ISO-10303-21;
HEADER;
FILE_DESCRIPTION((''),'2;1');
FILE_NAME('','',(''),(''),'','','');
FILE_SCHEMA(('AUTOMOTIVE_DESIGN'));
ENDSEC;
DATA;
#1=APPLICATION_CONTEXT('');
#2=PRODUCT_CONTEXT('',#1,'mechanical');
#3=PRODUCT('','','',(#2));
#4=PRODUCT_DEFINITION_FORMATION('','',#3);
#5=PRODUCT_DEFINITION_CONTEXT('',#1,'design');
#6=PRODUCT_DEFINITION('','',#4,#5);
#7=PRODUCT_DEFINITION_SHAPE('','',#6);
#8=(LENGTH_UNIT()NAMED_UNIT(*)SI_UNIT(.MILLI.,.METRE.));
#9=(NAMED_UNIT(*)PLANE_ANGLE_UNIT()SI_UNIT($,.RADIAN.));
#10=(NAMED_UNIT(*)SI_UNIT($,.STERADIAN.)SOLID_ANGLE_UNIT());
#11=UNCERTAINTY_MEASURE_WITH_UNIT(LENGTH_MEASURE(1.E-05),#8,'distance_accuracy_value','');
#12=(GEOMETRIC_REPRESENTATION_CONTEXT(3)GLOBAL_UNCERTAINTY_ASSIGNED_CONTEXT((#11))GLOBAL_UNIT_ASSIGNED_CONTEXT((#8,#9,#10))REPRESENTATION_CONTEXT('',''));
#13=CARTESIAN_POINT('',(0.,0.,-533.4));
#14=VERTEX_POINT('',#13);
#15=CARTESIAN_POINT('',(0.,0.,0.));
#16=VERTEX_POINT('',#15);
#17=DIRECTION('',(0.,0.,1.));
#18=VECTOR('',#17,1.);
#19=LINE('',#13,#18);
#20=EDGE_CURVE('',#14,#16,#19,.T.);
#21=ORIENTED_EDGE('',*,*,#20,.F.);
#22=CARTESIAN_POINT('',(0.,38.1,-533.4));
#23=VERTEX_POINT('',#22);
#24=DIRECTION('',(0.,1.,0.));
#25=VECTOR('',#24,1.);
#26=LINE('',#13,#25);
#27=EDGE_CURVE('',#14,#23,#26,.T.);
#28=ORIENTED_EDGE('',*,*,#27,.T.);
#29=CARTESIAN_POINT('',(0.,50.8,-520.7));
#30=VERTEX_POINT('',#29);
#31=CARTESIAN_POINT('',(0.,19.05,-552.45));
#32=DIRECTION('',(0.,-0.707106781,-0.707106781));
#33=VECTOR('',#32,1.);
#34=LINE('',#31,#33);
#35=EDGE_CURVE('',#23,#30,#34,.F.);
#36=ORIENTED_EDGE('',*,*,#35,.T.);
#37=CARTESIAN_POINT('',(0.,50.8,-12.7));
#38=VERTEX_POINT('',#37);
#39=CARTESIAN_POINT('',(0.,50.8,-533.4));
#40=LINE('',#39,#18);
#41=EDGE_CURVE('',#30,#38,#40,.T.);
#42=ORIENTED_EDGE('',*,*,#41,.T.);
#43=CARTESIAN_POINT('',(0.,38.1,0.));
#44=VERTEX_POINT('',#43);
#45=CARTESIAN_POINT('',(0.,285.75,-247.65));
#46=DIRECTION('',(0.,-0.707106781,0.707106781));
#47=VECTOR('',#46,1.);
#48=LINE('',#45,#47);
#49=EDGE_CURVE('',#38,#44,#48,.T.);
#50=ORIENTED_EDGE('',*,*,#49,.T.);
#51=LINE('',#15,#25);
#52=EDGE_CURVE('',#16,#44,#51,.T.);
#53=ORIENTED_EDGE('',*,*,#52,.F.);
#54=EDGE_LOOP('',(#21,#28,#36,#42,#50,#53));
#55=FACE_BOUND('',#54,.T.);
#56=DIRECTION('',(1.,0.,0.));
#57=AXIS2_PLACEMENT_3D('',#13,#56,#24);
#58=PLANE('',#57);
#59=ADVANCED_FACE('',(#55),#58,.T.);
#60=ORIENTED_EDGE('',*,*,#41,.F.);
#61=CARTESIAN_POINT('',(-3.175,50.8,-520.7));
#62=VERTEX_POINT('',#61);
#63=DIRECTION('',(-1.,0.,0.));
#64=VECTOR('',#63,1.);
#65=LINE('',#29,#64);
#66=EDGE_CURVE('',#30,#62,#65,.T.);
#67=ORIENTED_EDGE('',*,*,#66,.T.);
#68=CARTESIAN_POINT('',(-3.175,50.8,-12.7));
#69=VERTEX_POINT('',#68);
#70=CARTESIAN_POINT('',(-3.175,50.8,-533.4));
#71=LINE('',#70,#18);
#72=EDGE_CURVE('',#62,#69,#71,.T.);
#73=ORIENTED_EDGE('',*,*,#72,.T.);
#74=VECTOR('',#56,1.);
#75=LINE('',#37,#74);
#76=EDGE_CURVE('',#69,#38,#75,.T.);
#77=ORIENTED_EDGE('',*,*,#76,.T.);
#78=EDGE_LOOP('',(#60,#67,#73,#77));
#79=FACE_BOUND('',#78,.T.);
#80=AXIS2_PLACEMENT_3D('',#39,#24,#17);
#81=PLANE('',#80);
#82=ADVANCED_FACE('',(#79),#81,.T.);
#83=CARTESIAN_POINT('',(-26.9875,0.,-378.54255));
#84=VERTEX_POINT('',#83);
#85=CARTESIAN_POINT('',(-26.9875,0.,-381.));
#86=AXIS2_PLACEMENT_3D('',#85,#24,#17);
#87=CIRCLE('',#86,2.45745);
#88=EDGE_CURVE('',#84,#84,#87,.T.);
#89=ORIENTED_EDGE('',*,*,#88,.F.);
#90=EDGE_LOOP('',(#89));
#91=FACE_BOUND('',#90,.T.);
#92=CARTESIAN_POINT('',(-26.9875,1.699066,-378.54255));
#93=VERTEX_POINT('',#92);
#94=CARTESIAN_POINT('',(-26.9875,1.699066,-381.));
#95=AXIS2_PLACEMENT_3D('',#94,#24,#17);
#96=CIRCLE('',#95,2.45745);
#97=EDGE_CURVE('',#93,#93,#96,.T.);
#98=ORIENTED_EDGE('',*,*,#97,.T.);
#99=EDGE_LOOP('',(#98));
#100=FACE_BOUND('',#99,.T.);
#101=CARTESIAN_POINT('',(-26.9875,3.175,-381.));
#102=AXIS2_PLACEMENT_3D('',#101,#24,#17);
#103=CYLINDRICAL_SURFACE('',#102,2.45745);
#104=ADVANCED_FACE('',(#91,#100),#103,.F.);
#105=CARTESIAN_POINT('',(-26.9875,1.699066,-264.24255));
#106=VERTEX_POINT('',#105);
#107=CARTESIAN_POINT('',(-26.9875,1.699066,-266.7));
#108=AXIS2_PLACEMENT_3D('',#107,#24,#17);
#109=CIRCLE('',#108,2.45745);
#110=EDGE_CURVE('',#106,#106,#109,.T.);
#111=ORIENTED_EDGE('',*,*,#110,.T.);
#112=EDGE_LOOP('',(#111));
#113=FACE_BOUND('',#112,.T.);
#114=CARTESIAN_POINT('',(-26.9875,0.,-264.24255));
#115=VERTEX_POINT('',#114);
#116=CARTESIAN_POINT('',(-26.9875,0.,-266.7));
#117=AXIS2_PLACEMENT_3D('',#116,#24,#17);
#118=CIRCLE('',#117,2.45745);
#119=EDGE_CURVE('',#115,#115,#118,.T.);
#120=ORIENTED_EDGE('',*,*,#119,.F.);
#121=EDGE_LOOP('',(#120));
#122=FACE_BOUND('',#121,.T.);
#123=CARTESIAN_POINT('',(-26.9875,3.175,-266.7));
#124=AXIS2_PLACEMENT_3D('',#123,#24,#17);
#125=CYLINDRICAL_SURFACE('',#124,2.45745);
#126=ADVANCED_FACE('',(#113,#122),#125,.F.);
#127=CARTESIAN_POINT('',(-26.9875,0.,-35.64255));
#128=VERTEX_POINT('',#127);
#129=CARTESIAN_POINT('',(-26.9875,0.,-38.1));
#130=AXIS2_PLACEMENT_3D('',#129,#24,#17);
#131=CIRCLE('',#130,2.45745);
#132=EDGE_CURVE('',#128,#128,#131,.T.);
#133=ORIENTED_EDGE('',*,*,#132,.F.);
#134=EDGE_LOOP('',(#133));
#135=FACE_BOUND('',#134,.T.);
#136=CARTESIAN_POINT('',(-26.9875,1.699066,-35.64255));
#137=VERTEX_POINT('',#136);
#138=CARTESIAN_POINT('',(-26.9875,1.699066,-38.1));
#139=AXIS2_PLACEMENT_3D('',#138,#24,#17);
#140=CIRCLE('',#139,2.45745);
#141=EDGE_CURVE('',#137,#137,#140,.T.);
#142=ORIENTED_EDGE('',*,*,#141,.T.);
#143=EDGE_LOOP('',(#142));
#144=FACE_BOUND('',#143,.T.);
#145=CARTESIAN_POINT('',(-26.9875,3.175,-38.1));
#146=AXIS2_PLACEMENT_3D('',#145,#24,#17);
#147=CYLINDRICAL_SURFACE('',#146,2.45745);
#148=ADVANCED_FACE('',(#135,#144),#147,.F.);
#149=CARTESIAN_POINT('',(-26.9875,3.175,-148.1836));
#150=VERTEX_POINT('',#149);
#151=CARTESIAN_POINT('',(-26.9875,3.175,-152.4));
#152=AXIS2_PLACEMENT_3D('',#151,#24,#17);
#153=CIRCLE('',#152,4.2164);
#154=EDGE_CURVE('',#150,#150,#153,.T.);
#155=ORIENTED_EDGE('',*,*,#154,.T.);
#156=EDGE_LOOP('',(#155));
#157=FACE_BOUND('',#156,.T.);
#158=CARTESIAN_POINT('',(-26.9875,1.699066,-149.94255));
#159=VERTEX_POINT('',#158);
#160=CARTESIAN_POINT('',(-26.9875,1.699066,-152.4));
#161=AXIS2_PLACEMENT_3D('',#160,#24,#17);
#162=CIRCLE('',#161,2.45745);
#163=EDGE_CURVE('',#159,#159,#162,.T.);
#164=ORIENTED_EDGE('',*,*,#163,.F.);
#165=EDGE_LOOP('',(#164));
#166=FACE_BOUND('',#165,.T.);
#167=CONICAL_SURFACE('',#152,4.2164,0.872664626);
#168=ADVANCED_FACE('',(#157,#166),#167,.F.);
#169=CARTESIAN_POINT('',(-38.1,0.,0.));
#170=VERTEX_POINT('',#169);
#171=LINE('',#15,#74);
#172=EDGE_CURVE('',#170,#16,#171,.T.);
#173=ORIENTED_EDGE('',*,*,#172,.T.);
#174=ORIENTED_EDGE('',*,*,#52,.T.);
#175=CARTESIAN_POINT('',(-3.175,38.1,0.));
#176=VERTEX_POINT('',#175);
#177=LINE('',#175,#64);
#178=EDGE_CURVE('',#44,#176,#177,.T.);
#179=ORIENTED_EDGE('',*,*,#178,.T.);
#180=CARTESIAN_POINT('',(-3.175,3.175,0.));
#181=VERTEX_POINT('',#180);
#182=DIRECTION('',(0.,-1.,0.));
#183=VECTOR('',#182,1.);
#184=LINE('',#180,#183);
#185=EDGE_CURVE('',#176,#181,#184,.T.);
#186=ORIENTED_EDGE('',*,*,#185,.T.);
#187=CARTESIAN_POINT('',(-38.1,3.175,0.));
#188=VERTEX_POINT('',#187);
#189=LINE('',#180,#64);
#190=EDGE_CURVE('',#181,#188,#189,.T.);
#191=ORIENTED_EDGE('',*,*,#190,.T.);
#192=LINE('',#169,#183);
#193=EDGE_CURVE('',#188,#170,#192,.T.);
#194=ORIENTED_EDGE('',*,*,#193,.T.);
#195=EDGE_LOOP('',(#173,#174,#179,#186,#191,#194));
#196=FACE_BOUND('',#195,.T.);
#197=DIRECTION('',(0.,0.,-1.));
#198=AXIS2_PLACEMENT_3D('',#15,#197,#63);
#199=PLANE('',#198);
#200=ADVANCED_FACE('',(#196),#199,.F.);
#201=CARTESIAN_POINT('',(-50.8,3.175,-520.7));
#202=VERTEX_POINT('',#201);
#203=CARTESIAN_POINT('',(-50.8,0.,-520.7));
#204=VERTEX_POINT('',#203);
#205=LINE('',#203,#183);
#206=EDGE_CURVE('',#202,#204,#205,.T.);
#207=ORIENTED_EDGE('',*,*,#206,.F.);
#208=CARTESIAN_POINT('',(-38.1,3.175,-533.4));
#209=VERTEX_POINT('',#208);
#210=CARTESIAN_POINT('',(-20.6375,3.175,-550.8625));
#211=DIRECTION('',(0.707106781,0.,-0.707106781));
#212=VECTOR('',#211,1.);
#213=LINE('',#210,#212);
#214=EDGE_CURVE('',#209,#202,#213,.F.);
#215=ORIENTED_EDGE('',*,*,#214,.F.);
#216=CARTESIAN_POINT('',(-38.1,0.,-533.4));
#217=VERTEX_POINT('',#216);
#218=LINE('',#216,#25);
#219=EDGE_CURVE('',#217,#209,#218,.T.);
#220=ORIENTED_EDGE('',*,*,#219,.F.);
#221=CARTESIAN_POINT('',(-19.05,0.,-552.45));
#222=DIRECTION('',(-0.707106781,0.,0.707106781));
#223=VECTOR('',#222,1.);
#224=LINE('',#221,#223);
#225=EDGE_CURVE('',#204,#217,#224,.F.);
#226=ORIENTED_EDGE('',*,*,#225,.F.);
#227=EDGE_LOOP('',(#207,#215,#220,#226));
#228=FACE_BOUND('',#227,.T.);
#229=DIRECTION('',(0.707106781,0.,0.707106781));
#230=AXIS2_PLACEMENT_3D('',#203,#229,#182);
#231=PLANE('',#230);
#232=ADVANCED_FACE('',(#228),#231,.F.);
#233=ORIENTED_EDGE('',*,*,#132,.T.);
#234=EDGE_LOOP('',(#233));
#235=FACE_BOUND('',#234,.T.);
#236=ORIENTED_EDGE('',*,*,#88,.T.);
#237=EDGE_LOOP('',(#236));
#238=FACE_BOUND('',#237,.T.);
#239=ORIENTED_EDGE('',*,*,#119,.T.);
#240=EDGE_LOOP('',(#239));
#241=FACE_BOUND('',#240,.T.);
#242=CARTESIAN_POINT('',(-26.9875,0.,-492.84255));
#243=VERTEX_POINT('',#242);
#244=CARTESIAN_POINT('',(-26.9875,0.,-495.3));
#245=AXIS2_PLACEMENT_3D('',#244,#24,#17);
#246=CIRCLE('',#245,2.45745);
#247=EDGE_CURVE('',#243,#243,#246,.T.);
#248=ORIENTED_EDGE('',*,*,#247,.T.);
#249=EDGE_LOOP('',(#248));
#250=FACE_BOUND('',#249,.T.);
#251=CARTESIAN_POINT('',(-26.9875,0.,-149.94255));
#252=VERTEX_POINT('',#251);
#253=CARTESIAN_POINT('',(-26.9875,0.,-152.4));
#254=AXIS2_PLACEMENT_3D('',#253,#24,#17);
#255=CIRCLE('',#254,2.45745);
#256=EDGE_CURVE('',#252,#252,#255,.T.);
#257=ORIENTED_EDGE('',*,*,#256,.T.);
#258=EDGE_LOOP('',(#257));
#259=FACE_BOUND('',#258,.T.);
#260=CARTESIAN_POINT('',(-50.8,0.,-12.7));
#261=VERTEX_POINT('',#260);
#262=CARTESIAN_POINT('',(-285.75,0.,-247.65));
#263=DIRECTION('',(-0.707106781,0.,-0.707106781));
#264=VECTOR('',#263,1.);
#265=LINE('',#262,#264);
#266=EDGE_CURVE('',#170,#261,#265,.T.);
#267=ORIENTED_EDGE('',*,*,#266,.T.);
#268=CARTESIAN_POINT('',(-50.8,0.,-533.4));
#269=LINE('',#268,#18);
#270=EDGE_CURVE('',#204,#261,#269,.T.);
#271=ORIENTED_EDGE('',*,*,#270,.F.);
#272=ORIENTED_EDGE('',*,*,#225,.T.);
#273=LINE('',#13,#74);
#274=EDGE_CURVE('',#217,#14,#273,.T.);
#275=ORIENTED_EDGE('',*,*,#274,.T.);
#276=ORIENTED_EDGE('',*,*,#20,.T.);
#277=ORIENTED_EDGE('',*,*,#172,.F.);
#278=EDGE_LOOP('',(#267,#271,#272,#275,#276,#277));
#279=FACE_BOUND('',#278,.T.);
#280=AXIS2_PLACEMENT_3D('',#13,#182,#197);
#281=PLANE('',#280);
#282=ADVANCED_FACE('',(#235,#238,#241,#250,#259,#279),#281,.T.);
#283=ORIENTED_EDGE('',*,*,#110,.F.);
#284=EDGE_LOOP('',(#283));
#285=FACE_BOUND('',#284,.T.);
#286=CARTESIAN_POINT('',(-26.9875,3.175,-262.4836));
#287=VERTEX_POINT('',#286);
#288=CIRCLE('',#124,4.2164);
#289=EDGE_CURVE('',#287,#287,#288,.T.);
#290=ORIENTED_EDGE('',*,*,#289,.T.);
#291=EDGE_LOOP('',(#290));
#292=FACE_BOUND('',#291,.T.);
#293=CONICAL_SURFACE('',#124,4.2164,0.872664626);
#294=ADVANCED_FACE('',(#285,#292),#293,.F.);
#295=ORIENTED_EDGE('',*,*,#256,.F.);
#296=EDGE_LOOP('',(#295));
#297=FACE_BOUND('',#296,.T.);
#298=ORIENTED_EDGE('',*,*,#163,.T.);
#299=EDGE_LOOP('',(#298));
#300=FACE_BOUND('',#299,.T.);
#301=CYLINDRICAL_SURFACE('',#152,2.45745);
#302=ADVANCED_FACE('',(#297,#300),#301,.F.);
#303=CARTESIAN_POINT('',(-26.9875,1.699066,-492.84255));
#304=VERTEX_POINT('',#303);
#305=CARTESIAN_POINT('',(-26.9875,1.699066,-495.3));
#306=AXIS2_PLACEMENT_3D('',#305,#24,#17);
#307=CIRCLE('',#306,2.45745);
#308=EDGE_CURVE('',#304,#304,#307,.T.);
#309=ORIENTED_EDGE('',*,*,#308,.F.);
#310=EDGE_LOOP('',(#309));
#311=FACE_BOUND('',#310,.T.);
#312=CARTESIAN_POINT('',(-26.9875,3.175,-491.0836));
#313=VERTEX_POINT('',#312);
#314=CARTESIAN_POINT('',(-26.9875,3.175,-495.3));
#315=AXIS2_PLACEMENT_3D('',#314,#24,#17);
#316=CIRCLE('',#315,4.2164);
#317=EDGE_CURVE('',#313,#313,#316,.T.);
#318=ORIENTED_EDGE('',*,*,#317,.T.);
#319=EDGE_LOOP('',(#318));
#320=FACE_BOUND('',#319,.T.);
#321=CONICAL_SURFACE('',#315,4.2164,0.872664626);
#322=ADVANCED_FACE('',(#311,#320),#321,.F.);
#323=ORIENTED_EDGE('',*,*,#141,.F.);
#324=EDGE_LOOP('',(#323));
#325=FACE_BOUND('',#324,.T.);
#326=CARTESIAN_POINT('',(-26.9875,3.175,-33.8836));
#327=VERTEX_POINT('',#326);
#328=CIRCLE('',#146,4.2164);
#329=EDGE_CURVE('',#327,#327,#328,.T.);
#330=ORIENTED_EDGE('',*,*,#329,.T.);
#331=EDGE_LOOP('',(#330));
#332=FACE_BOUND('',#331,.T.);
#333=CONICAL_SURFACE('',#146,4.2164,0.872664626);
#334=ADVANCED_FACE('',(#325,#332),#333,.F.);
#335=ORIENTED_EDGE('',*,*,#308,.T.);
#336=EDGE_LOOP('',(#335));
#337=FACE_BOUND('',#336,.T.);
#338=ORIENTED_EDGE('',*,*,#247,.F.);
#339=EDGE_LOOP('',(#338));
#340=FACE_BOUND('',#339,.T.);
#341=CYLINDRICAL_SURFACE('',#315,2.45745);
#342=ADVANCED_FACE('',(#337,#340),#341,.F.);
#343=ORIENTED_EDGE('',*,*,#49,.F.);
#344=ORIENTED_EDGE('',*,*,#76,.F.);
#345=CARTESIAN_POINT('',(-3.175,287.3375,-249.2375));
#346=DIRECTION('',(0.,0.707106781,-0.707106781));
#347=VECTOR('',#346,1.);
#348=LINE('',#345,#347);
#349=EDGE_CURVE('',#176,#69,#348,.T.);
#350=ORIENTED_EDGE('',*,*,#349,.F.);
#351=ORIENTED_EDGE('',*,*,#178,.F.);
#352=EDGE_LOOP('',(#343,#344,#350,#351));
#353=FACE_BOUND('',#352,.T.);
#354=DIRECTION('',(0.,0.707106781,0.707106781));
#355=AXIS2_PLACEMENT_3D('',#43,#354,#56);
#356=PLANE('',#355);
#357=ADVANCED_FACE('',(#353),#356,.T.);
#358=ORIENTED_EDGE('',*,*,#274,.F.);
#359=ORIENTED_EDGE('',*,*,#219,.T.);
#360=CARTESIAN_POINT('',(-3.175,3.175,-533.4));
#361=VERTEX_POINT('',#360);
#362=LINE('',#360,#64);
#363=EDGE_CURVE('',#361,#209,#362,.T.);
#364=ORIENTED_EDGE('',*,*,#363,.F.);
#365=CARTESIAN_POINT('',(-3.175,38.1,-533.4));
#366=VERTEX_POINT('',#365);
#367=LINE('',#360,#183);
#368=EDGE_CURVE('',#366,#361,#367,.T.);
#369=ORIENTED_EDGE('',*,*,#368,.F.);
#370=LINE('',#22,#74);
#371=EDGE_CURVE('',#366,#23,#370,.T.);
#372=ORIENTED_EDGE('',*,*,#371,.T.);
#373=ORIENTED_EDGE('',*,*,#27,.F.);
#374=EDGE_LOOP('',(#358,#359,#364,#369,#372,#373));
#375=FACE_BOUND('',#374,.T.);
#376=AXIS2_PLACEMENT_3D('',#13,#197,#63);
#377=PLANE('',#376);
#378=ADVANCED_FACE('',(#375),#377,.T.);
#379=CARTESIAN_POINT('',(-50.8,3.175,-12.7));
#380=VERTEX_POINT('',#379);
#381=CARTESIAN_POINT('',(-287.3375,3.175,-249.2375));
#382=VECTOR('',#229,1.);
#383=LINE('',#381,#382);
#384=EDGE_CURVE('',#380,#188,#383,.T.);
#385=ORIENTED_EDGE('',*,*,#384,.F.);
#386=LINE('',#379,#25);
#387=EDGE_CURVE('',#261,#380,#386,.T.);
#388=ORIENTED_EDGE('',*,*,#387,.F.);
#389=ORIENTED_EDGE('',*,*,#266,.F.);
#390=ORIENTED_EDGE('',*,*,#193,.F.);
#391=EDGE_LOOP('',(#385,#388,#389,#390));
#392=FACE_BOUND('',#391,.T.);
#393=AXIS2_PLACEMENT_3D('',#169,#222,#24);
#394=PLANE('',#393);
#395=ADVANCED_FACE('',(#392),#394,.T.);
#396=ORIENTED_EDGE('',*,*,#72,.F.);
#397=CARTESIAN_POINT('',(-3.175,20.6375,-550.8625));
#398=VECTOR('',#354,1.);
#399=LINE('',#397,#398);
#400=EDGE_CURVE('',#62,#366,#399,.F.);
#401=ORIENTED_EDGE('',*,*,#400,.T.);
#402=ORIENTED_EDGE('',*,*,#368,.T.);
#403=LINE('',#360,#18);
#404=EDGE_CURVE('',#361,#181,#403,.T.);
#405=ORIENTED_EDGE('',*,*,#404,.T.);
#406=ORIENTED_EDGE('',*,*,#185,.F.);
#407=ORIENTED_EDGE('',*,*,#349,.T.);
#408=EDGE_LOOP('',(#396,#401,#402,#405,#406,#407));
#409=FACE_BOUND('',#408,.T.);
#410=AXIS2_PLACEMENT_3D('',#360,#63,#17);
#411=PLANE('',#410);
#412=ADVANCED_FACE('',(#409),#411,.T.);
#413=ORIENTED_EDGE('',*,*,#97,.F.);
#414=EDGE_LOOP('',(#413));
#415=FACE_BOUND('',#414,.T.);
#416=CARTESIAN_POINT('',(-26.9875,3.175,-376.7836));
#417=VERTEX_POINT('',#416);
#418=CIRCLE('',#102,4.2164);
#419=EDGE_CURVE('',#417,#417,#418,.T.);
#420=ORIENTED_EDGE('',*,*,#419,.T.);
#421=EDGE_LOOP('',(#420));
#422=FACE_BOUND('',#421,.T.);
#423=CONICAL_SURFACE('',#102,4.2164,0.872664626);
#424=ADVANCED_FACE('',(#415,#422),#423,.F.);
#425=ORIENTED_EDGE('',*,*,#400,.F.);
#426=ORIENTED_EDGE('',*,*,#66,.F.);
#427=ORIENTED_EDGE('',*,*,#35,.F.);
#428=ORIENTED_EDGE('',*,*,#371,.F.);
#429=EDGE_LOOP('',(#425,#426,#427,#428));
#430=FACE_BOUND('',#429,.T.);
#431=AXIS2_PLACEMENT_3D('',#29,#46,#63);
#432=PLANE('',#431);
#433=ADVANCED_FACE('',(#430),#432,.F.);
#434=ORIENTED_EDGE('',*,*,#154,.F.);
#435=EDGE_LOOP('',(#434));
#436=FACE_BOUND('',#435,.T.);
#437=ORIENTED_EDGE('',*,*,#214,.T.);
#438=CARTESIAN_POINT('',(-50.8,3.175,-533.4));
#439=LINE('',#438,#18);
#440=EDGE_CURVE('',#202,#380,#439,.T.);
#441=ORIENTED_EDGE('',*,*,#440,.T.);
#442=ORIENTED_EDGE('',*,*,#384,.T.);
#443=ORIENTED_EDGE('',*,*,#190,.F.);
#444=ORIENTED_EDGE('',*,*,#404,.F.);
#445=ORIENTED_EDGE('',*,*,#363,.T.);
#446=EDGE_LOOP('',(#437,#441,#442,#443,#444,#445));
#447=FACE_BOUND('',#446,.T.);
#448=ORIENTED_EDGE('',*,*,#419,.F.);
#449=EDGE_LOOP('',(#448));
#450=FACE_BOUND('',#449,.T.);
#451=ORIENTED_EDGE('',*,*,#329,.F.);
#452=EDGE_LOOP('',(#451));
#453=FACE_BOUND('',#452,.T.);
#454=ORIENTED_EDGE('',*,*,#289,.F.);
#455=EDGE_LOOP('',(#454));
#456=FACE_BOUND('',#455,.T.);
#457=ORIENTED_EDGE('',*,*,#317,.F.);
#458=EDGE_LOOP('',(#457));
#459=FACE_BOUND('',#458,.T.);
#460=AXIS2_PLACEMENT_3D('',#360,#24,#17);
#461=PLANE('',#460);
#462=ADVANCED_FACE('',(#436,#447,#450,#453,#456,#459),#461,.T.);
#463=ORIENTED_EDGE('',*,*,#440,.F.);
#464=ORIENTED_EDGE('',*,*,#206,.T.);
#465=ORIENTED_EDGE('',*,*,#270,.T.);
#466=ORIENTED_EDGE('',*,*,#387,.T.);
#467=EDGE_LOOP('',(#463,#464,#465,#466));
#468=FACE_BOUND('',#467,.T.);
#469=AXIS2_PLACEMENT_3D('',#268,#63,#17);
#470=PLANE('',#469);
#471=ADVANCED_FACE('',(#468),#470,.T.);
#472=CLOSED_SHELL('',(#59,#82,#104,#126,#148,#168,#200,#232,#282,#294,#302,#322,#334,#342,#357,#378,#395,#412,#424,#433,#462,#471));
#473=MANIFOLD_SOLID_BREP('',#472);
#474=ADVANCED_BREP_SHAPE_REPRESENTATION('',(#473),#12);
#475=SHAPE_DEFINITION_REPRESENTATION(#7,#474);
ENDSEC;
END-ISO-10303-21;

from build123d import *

# Parameters (mm, degrees)
BOSS_EXTRUDE1_DEPTH                       = 533.4
CHAMFER1_SIZE                             = 12.7
CSK_FOR_8_FLAT_HEAD_MACHINE_SCREW_2_COUNT = 2
CSK_FOR_8_FLAT_HEAD_MACHINE_SCREW_2_PITCH = 457.2
CSK_FOR_8_FLAT_HEAD_MACHINE_SCREW_3_COUNT = 2
CSK_FOR_8_FLAT_HEAD_MACHINE_SCREW_3_PITCH = 342.9
CSK_FOR_8_FLAT_HEAD_MACHINE_SCREW_4_COUNT = 2
CSK_FOR_8_FLAT_HEAD_MACHINE_SCREW_4_PITCH = 228.6
CSK_FOR_8_FLAT_HEAD_MACHINE_SCREW_5_COUNT = 2
CSK_FOR_8_FLAT_HEAD_MACHINE_SCREW_5_PITCH = 114.3


with BuildPart() as part:
    # Sketch2 → Boss-Extrude1 (new body)
    with BuildSketch(Plane.XY):
        Polygon((0, 0), (0, 50.8), (-3.175, 50.8), (-3.175, 3.175), (-50.8, 3.175), (-50.8, 0), align=None)
    extrude(amount=-BOSS_EXTRUDE1_DEPTH)

    # Chamfer1
    chamfer1_edges = [part.edges().sort_by_distance(p)[0] for p in [
        (-1.5875, 50.8, -533.4),
        (-50.8, 1.5875, -533.4),
        (-50.8, 1.5875, 0),
        (-1.5875, 50.8, 0),
    ]]
    chamfer(chamfer1_edges, length=CHAMFER1_SIZE)

    # Sketch4 → CSK for #8 Flat Head Machine Screw (100)1 (revolve, cut)
    with BuildSketch(Plane(origin=(-26.9875, 3.175, -495.3), x_dir=(0, 0, 1), z_dir=(1, 0, 0))):
        Polygon((0, 0), (0, 3.175), (2.45745, 3.175), (2.45745, 1.475934296), (4.2164, 0), align=None)
    csk_for_8_flat_head_machine_screw_100 = revolve(axis=Axis((-26.9875, 9.525, -495.3), (0, -1, 0)), mode=Mode.SUBTRACT)

    # CSK for _8 Flat Head Machine Screw _ 2: CSK for #8 Flat Head Machine Screw (100)1 ×2
    with Locations(*[(0, 0, i * CSK_FOR_8_FLAT_HEAD_MACHINE_SCREW_2_PITCH) for i in range(1, CSK_FOR_8_FLAT_HEAD_MACHINE_SCREW_2_COUNT)]):
        add(csk_for_8_flat_head_machine_screw_100, mode=Mode.SUBTRACT)

    # CSK for _8 Flat Head Machine Screw _ 3: CSK for #8 Flat Head Machine Screw (100)1 ×2
    with Locations(*[(0, 0, i * CSK_FOR_8_FLAT_HEAD_MACHINE_SCREW_3_PITCH) for i in range(1, CSK_FOR_8_FLAT_HEAD_MACHINE_SCREW_3_COUNT)]):
        add(csk_for_8_flat_head_machine_screw_100, mode=Mode.SUBTRACT)

    # CSK for _8 Flat Head Machine Screw _ 4: CSK for #8 Flat Head Machine Screw (100)1 ×2
    with Locations(*[(0, 0, i * CSK_FOR_8_FLAT_HEAD_MACHINE_SCREW_4_PITCH) for i in range(1, CSK_FOR_8_FLAT_HEAD_MACHINE_SCREW_4_COUNT)]):
        add(csk_for_8_flat_head_machine_screw_100, mode=Mode.SUBTRACT)

    # CSK for _8 Flat Head Machine Screw _ 5: CSK for #8 Flat Head Machine Screw (100)1 ×2
    with Locations(*[(0, 0, i * CSK_FOR_8_FLAT_HEAD_MACHINE_SCREW_5_PITCH) for i in range(1, CSK_FOR_8_FLAT_HEAD_MACHINE_SCREW_5_COUNT)]):
        add(csk_for_8_flat_head_machine_screw_100, mode=Mode.SUBTRACT)


solid = part.part
